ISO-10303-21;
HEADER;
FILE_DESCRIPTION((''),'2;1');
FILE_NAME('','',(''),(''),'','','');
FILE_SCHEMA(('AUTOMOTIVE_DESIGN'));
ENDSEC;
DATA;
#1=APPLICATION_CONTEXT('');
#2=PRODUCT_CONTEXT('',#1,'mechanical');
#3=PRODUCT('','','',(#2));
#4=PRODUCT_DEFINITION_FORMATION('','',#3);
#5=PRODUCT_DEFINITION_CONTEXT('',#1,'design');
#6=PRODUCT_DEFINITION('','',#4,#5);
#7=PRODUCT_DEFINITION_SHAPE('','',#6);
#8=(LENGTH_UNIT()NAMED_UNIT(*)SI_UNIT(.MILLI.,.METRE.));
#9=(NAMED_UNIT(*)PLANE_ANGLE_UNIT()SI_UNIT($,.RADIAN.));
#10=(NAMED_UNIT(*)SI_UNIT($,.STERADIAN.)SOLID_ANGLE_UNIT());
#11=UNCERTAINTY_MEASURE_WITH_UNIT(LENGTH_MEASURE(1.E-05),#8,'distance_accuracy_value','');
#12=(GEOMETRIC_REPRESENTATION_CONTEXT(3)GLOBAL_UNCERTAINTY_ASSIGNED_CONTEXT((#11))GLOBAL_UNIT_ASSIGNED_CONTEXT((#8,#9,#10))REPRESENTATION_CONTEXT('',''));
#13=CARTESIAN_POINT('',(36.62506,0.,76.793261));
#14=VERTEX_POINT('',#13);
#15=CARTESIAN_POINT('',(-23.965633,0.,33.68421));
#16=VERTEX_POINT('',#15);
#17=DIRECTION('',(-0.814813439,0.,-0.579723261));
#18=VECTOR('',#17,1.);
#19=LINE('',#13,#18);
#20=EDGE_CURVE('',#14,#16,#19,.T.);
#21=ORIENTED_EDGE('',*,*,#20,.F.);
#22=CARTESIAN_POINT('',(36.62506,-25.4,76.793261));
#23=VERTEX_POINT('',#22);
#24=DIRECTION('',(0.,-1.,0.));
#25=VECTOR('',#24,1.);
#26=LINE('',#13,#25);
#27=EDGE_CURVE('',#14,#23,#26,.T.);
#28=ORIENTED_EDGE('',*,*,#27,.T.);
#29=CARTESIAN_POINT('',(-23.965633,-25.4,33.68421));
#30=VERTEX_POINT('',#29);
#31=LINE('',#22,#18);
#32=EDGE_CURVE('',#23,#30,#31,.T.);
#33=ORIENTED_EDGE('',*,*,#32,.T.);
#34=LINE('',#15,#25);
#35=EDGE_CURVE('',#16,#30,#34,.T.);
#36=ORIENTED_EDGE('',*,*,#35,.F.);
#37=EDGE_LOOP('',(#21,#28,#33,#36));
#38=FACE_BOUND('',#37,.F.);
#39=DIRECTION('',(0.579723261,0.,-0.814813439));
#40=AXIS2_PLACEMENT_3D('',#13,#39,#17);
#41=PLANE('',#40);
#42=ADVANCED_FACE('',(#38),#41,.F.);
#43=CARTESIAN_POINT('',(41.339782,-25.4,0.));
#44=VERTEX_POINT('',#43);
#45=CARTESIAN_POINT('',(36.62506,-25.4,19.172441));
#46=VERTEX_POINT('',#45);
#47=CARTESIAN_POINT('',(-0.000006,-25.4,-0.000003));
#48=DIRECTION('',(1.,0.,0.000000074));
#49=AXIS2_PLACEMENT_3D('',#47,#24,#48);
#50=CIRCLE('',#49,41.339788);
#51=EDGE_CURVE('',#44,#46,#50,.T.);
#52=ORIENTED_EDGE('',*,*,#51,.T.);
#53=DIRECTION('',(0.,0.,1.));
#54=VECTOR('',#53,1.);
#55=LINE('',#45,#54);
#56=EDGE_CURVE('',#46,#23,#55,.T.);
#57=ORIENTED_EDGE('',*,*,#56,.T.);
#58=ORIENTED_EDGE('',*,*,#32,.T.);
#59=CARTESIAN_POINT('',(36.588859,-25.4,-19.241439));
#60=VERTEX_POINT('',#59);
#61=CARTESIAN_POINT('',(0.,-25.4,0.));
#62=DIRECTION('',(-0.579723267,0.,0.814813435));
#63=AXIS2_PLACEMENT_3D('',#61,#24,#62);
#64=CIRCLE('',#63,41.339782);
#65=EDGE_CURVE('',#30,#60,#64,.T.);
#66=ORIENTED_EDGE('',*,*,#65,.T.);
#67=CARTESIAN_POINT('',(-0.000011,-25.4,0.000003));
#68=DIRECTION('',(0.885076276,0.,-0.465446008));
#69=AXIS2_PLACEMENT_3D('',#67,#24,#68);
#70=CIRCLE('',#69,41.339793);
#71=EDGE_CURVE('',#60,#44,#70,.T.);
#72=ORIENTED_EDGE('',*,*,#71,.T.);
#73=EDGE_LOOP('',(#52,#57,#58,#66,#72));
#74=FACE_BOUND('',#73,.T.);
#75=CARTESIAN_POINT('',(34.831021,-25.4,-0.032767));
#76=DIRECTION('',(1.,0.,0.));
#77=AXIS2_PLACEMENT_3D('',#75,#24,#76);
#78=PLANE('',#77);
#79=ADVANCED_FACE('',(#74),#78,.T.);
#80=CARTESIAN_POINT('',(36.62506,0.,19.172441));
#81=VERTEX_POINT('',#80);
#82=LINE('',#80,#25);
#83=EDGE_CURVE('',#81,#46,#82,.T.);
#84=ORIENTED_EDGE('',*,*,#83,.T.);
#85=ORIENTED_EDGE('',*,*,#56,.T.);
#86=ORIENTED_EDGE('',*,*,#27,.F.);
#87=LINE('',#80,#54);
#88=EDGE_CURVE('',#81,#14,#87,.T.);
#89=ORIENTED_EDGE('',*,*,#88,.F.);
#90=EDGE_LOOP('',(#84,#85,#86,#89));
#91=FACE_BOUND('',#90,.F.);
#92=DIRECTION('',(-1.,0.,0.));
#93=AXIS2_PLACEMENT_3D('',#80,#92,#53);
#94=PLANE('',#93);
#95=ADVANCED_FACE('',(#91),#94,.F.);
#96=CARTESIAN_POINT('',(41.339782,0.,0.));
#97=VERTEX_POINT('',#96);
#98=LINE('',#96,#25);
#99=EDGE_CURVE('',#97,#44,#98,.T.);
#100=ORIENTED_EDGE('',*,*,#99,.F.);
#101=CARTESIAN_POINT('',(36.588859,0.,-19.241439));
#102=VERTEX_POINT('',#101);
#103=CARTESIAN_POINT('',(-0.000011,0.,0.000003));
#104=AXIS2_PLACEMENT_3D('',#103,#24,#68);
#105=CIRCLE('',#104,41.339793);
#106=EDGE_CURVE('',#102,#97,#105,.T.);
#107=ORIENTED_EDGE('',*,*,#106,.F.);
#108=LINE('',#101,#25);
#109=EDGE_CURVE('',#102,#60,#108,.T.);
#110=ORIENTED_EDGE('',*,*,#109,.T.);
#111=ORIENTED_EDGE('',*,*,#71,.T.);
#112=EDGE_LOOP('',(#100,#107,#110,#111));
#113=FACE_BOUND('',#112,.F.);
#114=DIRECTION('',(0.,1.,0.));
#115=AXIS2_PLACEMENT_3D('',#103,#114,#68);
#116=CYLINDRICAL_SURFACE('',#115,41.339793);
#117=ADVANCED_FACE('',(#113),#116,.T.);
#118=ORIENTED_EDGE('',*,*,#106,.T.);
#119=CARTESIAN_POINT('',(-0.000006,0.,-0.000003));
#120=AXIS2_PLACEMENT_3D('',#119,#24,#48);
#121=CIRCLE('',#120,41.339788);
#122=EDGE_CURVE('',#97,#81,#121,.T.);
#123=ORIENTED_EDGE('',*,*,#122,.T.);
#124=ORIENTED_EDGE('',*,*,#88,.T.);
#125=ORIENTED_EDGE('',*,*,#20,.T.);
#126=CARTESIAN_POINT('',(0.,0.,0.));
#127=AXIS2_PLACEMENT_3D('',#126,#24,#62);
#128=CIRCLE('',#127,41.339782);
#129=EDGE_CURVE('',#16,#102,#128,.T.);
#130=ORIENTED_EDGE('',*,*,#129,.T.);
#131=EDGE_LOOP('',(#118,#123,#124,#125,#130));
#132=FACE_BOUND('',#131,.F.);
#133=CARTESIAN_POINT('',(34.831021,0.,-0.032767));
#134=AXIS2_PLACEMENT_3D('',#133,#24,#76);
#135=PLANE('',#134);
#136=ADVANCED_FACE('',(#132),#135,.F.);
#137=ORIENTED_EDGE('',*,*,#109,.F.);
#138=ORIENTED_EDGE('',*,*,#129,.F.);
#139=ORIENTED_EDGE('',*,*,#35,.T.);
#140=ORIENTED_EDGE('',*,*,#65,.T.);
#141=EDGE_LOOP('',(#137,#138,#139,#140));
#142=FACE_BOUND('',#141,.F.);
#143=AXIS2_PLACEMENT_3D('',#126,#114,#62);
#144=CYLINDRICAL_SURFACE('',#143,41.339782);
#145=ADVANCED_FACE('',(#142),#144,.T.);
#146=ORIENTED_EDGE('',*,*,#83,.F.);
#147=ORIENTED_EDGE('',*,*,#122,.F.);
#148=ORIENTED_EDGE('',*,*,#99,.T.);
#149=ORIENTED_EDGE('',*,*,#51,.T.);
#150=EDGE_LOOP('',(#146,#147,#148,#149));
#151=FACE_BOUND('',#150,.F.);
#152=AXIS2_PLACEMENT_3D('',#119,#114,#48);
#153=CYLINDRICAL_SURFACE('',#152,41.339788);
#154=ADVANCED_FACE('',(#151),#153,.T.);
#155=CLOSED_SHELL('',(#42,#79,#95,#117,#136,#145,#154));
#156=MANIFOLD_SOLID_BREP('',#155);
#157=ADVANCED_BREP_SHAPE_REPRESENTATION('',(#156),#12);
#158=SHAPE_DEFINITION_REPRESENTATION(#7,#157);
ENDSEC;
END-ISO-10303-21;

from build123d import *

# Parameters (mm, degrees)
F2_DEPTH = 25.4
F3_DEPTH = 25.4


with BuildPart() as f2:
    # F0 (on Front) → F2 (new body)
    with BuildSketch(Plane.XZ):
        with BuildLine():
            ThreePointArc((36.588859, -19.241439), (26.227151, -0.024717), (36.62506, 19.172441))
            ThreePointArc((36.62506, 19.172441), (9.628766, 40.202791), (-23.965633, 33.68421))
            ThreePointArc((-23.965633, 33.68421), (-27.205101, -31.126516), (36.588859, -19.241439))
        make_face()
    extrude(amount=F2_DEPTH)

    # F0 (on Front) → F3 (join)
    with BuildSketch(Plane.XZ):
        with BuildLine():
            ThreePointArc((36.588859, -19.241439), (40.13448, -9.909645), (41.339782, 0))
            ThreePointArc((41.339782, 0), (40.143801, 9.871817), (36.62506, 19.172441))
            ThreePointArc((36.62506, 19.172441), (26.227151, -0.024717), (36.588859, -19.241439))
        make_face()
        with BuildLine():
            ThreePointArc((36.588859, -19.241439), (26.227151, -0.024717), (36.62506, 19.172441))
            ThreePointArc((36.62506, 19.172441), (9.628766, 40.202791), (-23.965633, 33.68421))
            ThreePointArc((-23.965633, 33.68421), (-27.205101, -31.126516), (36.588859, -19.241439))
        make_face()
        with BuildLine():
            ThreePointArc((-23.965633, 33.68421), (9.628766, 40.202791), (36.62506, 19.172441))
            Line((36.62506, 19.172441), (36.62506, 76.793261))
            Line((36.62506, 76.793261), (-23.965633, 33.68421))
        make_face()
    extrude(amount=F3_DEPTH)


solid = f2.part
